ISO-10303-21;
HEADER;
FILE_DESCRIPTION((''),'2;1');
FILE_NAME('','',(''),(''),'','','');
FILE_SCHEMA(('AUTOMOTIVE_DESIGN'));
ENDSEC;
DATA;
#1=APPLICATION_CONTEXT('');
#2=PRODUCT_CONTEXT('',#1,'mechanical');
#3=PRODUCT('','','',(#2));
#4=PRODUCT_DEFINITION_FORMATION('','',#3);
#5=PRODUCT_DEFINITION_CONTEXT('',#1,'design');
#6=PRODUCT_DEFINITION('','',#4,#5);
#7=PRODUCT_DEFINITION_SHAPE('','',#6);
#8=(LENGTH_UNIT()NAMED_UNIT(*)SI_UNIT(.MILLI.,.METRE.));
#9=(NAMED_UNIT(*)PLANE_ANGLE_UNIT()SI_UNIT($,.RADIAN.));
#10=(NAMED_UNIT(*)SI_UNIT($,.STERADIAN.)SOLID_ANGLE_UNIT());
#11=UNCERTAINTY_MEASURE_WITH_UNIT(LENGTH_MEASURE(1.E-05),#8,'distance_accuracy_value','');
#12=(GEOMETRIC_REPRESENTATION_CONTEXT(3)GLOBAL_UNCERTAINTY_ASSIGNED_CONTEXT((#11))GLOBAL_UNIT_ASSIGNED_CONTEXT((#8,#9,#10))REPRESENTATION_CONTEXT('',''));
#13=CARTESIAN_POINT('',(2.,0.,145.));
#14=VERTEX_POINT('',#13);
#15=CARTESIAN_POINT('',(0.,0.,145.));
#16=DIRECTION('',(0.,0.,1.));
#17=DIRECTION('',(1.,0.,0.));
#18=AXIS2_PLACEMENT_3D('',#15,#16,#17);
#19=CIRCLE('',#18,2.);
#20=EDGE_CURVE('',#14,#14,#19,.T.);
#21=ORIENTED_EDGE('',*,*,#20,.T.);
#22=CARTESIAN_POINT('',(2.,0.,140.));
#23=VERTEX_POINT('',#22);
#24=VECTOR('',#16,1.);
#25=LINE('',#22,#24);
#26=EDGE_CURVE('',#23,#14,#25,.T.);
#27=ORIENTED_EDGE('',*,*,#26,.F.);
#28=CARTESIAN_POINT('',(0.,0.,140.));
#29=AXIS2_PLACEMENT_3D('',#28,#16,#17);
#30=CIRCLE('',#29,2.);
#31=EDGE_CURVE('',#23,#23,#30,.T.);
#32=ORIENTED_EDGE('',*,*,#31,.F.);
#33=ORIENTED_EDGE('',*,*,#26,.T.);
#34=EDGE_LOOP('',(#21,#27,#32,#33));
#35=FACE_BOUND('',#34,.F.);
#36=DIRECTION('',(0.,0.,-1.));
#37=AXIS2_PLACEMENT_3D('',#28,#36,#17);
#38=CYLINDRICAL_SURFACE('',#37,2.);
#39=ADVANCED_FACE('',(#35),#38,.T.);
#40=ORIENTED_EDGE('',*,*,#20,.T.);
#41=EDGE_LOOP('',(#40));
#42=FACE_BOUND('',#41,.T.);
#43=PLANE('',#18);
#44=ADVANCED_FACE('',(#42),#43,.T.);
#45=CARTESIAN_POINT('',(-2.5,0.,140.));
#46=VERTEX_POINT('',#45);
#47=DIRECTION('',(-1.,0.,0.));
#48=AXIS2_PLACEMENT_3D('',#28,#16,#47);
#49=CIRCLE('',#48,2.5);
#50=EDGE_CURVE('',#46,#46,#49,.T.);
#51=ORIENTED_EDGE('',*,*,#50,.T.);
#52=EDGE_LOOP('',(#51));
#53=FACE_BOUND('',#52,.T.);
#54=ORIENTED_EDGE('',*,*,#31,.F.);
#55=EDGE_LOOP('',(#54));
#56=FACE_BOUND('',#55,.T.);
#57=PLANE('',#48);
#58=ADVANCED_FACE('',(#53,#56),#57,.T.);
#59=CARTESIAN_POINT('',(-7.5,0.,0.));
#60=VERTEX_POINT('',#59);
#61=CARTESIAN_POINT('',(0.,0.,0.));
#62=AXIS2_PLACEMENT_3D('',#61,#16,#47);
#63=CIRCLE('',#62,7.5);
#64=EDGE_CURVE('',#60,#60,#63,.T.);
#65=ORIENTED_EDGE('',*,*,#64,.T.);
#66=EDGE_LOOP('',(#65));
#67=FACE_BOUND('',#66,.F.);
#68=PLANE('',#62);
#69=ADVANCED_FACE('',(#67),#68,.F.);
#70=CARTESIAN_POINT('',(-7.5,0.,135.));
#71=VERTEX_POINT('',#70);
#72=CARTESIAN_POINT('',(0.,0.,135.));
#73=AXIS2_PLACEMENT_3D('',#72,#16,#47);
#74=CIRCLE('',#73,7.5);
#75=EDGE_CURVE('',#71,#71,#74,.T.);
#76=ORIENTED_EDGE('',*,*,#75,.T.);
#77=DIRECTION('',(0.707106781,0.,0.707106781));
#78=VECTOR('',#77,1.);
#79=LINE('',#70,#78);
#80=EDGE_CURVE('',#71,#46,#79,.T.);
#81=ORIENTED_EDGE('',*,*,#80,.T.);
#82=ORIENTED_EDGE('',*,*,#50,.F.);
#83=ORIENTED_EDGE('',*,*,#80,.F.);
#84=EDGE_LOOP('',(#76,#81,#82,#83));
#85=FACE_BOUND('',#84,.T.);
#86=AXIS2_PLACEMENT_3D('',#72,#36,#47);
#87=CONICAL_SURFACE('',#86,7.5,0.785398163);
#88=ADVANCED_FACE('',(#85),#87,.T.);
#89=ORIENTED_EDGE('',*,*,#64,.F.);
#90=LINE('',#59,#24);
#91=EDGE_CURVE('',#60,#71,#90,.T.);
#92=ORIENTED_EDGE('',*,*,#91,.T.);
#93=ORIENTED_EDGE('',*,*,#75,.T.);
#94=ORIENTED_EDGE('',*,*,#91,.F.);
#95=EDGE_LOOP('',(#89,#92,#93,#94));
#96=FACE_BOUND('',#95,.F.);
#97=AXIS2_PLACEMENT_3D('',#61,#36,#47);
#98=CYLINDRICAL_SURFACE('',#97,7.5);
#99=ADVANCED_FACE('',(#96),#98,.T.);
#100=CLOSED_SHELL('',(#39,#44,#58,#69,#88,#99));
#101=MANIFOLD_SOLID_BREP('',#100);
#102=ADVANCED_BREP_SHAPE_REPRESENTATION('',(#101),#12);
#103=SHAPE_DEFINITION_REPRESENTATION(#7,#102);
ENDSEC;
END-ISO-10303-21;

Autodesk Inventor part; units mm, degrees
ref_plane "YZ Plane" through (0, 0, 0) normal (1, 0, 0) x (0, 1, 0)
ref_plane "XZ Plane" through (0, 0, 0) normal (0, 1, 0) x (-1, 0, 0)
ref_plane "XY Plane" through (0, 0, 0) normal (0, 0, 1) x (1, 0, 0)
sketch "Sketch2" plane through (0, 0, 0) normal (0, 0, 1) x (-1, 0, 0)
  circle A0 centre (0, 0) radius 7.5
  dimension "d0" = 15
extrude "Extrusion1" add sketch "Sketch2" along normal blind 140
sketch "Sketch3" plane through (0, 0, 140) normal (0, 0, 1) x (1, 0, 0)
  circle A0 centre (0, 0) radius 2
  dimension "d3" = 4
extrude "Extrusion2" add sketch "Sketch3" along normal blind 5
chamfer "Chamfer1" distance 5 angle 45 1 edges at (7.5, 0, 140)
properties part number "Marcador"
